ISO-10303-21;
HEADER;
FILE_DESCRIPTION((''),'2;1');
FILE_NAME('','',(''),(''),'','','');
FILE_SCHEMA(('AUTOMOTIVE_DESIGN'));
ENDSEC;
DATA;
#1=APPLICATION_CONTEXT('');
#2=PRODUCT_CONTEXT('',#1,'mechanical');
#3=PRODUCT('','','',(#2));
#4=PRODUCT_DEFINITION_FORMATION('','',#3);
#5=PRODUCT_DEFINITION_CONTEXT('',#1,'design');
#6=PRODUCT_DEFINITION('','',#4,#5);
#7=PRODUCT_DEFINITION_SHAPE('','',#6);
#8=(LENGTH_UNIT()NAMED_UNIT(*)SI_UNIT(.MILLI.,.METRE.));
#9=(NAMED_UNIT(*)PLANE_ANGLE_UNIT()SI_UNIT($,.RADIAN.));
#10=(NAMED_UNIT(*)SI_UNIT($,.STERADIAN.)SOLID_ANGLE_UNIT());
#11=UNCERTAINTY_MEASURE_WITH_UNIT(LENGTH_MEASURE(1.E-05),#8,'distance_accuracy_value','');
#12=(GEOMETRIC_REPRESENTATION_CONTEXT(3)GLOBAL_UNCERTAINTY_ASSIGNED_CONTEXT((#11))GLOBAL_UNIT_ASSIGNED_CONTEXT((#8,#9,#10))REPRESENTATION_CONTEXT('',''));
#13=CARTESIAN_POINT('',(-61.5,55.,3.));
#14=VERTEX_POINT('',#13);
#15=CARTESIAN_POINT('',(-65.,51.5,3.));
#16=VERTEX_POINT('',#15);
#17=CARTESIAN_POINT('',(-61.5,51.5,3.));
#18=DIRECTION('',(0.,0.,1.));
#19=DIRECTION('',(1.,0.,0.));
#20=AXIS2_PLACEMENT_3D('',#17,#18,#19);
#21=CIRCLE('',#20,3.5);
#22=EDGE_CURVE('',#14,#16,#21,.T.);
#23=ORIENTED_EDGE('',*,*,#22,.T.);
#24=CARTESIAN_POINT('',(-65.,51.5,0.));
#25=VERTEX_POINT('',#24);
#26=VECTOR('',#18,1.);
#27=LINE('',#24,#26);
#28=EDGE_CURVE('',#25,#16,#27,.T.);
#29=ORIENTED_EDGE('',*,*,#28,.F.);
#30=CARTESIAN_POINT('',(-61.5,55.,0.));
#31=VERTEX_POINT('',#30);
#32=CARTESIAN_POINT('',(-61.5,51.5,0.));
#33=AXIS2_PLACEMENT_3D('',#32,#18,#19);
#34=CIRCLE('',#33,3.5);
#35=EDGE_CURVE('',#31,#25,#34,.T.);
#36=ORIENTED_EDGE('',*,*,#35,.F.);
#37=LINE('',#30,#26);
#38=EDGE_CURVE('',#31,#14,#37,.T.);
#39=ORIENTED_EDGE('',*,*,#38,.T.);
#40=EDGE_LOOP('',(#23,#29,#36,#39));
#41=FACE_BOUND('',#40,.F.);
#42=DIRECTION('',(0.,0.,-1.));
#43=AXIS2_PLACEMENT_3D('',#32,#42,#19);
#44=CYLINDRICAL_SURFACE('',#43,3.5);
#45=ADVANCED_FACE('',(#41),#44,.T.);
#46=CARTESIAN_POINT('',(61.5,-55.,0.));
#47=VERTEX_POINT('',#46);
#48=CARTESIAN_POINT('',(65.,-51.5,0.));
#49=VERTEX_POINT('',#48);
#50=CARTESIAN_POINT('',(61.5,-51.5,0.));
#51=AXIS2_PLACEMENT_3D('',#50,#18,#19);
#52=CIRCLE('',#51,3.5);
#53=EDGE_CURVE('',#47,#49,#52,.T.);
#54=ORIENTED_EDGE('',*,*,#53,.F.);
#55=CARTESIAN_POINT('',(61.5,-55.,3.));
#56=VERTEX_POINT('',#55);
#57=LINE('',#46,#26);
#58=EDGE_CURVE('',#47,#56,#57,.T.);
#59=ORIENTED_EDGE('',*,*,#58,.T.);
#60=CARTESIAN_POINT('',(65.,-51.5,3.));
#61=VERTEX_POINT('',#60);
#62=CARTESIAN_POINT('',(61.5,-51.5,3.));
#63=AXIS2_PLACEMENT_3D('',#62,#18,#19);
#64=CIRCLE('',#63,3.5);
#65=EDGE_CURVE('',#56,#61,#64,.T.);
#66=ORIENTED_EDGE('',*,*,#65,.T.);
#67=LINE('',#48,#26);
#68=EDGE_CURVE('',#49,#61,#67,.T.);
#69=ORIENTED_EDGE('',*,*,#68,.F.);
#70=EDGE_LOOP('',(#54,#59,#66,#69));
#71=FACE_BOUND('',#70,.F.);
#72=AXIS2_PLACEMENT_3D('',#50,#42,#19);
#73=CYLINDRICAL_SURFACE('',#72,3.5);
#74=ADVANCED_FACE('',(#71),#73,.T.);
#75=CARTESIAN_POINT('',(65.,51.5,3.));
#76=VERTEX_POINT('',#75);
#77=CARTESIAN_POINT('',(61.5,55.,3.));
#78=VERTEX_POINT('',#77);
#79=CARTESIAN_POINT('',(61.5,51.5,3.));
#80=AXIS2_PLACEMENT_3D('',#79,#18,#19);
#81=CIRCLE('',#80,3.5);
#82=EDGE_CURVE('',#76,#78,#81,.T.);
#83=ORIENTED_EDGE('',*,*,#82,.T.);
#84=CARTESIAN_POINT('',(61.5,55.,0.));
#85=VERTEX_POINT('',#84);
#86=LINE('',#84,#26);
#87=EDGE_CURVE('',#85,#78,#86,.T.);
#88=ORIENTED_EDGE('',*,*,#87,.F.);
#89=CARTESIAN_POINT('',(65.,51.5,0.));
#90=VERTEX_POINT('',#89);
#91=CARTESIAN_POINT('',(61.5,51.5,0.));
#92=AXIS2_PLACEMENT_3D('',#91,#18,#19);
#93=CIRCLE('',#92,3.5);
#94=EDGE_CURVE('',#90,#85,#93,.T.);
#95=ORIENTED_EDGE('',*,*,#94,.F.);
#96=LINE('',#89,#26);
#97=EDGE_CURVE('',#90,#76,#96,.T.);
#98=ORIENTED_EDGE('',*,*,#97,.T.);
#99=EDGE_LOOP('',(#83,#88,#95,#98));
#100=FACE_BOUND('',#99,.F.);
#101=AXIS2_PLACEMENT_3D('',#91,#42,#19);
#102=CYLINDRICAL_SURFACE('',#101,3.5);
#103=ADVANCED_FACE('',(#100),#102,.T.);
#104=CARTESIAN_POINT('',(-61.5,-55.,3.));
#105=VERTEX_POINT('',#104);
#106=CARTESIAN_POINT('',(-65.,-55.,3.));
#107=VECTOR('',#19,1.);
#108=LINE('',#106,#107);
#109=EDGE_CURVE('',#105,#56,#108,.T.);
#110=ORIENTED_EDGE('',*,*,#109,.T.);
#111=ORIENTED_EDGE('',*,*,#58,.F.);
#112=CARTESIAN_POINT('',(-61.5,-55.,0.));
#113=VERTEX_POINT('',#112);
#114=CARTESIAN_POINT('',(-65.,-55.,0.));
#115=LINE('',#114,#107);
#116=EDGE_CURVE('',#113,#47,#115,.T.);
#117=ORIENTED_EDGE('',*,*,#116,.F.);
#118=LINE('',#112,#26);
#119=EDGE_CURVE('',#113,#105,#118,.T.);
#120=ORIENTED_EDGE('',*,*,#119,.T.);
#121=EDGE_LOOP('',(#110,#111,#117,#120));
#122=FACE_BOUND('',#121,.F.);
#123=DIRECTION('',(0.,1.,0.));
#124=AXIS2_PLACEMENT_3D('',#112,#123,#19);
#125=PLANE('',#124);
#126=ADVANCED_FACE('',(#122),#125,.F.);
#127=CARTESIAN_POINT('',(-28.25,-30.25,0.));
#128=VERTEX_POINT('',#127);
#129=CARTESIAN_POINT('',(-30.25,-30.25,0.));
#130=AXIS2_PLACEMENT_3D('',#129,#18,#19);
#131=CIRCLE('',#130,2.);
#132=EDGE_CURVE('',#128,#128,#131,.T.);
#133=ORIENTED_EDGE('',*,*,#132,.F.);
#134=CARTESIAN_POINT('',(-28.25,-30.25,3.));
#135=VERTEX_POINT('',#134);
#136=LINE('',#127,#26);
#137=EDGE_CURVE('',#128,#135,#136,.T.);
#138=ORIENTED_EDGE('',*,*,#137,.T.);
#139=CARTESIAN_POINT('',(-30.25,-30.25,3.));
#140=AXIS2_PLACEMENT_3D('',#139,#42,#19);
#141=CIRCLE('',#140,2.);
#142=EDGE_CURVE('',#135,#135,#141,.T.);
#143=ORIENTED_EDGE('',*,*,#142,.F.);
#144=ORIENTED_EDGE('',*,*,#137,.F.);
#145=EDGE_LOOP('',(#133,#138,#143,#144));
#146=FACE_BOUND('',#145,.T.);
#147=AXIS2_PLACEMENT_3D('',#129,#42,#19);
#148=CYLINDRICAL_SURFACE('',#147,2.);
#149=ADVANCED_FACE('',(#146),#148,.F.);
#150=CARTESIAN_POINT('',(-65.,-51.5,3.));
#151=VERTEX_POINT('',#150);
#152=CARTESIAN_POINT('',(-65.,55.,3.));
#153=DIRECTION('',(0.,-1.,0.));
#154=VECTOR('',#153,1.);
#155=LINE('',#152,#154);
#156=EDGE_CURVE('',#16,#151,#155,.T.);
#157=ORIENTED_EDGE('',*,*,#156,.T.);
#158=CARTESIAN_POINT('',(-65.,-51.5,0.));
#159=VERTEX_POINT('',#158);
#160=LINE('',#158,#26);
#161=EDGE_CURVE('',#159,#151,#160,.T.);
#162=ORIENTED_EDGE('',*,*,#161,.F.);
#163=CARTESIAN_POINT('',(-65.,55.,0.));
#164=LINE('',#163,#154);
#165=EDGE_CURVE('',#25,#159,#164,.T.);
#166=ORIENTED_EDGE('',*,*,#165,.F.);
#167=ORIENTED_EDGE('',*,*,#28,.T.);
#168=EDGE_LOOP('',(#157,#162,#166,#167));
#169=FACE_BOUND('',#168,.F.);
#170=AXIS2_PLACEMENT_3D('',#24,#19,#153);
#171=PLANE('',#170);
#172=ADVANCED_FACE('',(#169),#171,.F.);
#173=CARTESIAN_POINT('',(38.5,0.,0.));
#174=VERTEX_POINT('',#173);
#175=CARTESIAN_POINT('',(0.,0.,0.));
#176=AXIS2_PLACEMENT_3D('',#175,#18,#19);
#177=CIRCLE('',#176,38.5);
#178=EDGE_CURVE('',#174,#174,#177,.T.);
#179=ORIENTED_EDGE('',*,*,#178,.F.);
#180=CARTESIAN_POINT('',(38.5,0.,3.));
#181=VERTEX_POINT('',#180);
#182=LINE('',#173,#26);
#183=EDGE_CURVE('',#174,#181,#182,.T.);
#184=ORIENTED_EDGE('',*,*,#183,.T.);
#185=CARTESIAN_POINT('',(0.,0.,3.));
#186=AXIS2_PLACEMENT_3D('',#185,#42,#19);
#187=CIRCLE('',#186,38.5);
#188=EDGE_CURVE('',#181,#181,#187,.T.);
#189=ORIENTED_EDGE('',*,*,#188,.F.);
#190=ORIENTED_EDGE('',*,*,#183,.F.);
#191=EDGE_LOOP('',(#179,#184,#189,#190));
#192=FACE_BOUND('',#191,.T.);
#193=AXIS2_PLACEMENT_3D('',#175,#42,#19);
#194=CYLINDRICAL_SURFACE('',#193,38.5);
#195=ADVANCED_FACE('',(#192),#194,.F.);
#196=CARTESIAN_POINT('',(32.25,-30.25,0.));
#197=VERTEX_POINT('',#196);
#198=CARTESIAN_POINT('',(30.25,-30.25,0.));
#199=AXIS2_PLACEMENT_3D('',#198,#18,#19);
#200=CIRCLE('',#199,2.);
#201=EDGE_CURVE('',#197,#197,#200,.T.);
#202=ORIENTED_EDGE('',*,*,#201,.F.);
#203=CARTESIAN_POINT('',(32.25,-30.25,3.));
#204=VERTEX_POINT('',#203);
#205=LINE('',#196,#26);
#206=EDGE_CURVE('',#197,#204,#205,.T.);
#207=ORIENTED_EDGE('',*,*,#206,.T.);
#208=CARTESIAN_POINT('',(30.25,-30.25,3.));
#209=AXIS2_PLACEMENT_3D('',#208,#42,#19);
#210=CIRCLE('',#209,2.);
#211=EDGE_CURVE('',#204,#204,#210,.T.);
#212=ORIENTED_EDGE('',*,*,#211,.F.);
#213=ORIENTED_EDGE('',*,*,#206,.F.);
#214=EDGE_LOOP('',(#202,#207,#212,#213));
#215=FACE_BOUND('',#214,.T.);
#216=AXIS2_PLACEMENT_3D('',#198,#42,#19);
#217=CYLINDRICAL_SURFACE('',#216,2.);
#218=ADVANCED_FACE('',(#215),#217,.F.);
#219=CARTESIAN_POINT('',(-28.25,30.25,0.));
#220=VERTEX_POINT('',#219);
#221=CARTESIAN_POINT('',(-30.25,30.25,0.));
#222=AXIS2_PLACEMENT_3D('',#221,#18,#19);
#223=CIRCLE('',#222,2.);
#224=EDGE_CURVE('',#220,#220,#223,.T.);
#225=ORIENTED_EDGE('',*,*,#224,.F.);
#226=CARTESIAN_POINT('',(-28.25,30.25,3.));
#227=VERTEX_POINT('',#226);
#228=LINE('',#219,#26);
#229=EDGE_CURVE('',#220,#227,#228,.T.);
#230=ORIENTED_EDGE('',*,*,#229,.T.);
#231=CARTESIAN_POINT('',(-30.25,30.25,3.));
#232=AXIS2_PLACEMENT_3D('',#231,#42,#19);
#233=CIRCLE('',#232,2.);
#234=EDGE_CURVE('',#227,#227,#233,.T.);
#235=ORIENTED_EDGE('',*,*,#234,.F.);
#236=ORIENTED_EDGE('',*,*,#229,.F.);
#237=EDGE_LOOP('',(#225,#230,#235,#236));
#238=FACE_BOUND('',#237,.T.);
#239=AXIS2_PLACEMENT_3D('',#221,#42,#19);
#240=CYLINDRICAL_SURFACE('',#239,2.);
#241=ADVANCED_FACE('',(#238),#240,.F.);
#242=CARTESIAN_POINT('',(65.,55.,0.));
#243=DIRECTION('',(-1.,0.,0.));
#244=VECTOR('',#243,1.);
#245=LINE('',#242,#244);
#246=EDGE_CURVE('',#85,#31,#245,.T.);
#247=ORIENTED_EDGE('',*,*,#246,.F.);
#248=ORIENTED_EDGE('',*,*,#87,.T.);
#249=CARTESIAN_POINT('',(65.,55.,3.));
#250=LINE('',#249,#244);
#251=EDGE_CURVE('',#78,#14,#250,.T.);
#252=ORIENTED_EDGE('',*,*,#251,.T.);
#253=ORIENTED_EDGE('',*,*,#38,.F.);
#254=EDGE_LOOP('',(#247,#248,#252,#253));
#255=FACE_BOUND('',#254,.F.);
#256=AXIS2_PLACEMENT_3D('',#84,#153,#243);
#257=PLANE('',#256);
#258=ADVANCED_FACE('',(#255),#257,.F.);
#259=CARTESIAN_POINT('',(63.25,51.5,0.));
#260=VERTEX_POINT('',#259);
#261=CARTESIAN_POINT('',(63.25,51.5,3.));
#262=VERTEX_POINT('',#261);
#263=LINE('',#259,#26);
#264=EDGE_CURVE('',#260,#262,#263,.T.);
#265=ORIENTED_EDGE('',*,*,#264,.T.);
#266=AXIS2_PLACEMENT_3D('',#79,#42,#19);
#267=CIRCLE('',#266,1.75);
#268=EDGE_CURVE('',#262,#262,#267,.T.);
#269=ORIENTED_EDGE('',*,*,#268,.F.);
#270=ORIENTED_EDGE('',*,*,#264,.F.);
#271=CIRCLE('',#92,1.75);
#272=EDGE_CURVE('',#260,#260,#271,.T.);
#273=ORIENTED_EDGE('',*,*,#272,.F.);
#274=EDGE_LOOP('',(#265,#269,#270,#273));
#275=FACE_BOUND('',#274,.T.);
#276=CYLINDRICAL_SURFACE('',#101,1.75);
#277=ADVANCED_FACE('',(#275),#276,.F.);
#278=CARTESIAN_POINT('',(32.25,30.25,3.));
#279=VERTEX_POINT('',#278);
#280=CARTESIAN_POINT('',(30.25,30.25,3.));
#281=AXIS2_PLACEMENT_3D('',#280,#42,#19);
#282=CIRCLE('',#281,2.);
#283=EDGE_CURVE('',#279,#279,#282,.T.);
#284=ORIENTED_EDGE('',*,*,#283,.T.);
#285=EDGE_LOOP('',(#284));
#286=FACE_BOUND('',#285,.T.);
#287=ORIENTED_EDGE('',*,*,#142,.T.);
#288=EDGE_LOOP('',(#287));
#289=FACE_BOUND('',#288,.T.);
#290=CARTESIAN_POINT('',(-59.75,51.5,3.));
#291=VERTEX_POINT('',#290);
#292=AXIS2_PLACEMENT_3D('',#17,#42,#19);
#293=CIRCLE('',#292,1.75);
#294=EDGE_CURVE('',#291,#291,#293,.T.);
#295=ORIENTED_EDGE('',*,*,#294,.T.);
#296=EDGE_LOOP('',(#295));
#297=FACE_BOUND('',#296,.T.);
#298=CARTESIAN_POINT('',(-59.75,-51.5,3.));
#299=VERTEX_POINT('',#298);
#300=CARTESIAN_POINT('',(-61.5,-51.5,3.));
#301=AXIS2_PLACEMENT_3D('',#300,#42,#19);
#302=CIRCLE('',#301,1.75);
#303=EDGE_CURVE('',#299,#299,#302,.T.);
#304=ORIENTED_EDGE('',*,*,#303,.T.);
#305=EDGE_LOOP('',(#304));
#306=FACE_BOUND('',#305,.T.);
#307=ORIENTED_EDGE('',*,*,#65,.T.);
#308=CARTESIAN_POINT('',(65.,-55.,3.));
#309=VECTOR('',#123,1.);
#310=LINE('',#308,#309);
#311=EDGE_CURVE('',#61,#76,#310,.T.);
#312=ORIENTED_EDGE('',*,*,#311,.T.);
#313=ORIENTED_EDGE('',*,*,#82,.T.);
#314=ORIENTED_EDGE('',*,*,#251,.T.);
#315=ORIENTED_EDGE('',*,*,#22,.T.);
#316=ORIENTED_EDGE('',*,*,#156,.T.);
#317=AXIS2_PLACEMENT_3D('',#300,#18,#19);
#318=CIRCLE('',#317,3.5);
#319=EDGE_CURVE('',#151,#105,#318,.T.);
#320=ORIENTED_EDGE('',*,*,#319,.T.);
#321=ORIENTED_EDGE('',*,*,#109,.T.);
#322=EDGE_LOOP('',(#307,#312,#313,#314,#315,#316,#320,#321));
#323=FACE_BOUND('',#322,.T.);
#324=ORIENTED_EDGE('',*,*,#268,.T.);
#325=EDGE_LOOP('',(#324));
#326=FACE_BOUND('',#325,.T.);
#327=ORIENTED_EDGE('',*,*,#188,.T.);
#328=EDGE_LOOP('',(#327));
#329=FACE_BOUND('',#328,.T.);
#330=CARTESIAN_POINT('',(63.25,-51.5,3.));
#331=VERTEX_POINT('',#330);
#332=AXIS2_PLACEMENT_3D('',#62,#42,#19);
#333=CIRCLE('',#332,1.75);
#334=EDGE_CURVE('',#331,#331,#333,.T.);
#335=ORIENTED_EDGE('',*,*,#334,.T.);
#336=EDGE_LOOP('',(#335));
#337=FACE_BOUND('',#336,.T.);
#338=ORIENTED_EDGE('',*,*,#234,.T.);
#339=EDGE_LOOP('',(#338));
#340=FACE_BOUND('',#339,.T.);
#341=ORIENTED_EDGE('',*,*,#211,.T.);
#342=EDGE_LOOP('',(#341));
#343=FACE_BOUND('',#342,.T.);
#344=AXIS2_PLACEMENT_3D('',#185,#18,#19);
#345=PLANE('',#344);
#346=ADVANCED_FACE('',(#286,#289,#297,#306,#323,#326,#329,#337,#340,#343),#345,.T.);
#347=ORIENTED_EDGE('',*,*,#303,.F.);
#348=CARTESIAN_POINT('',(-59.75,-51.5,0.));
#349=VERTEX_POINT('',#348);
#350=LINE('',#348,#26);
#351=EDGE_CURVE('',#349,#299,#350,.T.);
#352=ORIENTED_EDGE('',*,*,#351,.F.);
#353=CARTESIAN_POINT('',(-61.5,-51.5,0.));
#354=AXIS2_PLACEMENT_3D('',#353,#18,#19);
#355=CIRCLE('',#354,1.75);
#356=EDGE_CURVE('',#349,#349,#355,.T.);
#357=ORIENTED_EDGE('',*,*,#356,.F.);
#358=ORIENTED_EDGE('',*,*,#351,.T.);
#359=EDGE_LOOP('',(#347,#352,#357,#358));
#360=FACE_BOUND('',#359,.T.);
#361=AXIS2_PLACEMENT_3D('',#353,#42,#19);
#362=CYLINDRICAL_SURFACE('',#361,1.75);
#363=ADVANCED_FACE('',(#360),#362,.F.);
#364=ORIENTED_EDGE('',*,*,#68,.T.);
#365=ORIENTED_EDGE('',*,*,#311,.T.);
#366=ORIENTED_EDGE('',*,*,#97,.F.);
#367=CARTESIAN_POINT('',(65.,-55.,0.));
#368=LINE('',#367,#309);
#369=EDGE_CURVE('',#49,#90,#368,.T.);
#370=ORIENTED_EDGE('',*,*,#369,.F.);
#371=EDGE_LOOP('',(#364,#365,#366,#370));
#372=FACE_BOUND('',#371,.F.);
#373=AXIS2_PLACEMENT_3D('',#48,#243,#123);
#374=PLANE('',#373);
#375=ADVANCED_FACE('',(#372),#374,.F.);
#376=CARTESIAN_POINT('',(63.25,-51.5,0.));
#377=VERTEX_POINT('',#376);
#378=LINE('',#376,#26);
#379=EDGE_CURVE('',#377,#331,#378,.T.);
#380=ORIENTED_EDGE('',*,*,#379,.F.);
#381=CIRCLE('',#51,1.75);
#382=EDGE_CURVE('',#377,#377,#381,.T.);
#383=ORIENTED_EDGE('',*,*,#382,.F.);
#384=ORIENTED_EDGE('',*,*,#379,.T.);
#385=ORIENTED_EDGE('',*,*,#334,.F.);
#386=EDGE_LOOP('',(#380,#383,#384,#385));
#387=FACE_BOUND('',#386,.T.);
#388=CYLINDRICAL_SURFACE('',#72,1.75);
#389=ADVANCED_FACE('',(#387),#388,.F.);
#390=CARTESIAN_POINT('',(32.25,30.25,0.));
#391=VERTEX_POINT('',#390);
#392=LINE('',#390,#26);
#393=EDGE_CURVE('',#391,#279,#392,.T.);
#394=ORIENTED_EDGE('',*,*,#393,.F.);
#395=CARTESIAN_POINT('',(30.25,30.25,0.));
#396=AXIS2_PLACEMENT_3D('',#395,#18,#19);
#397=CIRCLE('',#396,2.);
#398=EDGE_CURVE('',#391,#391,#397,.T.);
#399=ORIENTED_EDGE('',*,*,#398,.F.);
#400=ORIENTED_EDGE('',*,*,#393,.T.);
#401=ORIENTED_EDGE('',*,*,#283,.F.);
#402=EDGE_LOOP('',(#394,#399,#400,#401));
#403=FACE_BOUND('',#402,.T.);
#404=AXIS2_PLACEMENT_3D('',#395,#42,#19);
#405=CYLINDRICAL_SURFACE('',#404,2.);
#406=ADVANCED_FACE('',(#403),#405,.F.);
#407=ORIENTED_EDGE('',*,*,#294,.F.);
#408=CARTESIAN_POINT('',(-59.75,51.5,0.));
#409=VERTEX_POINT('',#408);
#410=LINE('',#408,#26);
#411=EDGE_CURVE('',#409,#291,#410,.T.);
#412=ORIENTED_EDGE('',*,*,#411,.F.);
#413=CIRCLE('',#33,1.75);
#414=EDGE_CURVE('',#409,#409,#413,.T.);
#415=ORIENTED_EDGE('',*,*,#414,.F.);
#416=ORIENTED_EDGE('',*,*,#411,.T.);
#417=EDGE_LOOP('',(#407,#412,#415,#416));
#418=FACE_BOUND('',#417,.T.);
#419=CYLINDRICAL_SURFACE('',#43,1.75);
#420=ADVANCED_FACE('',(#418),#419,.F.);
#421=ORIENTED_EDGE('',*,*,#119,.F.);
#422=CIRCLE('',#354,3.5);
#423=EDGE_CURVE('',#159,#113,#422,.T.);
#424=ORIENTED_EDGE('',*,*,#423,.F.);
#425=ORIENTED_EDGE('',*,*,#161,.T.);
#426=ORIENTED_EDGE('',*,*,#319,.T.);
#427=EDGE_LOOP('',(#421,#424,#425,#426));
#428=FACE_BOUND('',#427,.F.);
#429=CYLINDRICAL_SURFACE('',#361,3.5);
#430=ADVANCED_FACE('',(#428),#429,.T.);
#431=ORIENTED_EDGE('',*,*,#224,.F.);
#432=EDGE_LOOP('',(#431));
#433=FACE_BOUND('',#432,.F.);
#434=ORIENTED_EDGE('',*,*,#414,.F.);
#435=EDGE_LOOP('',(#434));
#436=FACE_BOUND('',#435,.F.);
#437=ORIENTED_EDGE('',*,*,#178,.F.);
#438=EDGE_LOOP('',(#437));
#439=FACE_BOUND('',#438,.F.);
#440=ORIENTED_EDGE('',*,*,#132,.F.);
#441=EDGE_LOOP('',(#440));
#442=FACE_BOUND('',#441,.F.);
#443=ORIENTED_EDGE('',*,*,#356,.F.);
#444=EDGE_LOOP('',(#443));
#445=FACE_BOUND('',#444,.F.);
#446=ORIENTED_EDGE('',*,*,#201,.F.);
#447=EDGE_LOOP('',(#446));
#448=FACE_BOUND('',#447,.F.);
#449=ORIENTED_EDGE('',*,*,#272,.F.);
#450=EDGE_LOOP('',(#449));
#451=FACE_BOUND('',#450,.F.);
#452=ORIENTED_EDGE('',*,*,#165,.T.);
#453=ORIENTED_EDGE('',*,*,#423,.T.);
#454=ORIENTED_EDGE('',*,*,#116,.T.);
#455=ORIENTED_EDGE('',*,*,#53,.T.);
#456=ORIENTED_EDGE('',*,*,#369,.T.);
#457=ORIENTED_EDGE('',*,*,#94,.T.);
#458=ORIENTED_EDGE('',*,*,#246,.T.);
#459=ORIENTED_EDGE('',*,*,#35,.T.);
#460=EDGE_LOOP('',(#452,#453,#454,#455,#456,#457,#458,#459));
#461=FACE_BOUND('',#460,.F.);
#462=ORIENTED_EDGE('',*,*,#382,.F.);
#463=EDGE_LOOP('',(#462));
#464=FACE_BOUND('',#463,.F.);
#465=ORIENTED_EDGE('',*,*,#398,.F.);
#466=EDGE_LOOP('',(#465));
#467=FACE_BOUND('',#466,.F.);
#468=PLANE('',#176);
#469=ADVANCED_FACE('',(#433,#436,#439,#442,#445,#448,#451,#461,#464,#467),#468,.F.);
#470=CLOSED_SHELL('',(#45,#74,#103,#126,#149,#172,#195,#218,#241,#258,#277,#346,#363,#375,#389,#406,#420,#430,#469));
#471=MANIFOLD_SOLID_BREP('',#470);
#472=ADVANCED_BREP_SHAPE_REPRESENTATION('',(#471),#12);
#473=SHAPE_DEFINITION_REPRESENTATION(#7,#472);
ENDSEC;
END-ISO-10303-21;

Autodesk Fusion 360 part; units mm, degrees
sketch "Sketch1" plane through (0, 0, 0) normal (0, 0, 1) x (1, 0, 0)
  line L0 (65, 55) -> (-65, 55)
  line L1 (-65, 55) -> (-65, -55)
  line L2 (-65, -55) -> (65, -55)
  line L3 (65, -55) -> (65, 55)
  line L4 (65, 55) -> (-65, -55) construction
  line L5 (-65, 55) -> (65, -55) construction
  line L6 (61.5, 51.5) -> (-61.5, 51.5)
  line L7 (-61.5, 51.5) -> (-61.5, -51.5)
  line L8 (-61.5, -51.5) -> (61.5, -51.5)
  line L9 (61.5, -51.5) -> (61.5, 51.5)
  line L10 (61.5, 51.5) -> (-61.5, -51.5) construction
  line L11 (-61.5, 51.5) -> (61.5, -51.5) construction
  circle A0 centre (-61.5, 51.5) radius 3.5
  circle A1 centre (61.5, 51.5) radius 3.5
  circle A2 centre (61.5, -51.5) radius 3.5
  circle A3 centre (-61.5, -51.5) radius 3.5
  circle A4 centre (-61.5, -51.5) radius 1.75
  circle A5 centre (61.5, -51.5) radius 1.75
  circle A6 centre (61.5, 51.5) radius 1.75
  circle A7 centre (-61.5, 51.5) radius 1.75
  circle A8 centre (0, 0) radius 38.5
  line L12 (30.25, 30.25) -> (-30.25, 30.25)
  line L13 (-30.25, 30.25) -> (-30.25, -30.25)
  line L14 (-30.25, -30.25) -> (30.25, -30.25)
  line L15 (30.25, -30.25) -> (30.25, 30.25)
  line L16 (30.25, 30.25) -> (-30.25, -30.25) construction
  line L17 (-30.25, 30.25) -> (30.25, -30.25) construction
  circle A9 centre (30.25, 30.25) radius 2
  circle A10 centre (-30.25, 30.25) radius 2
  circle A11 centre (-30.25, -30.25) radius 2
  circle A12 centre (30.25, -30.25) radius 2
  dimension "d1" = 130
  dimension "d2" = 110
  dimension "d3" = 3.5
  dimension "d4" = 3.5
  dimension "d5" = 3.5
  dimension "d6" = 3.5
  dimension "d7" = 3.5
  dimension "d8" = 3.5
  dimension "d9" = 77
  dimension "d10" = 60.5
  dimension "d11" = 60.5
  dimension "d12" = 4
  dimension "d13" = 4
  dimension "d14" = 4
  dimension "d15" = 4
extrude "Extrude1" add sketch "Sketch1" along normal blind 3 contours L0 L6 A0 A1 | L6 L9 A1 A6 | L3 L9 A1 A2 | L6 L7 A0 A7 | L6 L7 L8 L9 A0 A1 A2 A3 | L6 L9 A1 A6 | L8 L9 A2 A5 | L6 L7 A0 A7 | L1 L7 A0 A3 | L8 L9 A2 A5 | L2 L8 A2 A3 | L7 L8 A3 A4 | L7 L8 A3 A4 | A8 L12 L15 A9 | A8 L14 L15 A12 | A8 L12 L13 A10 | A8 L13 L14 A11
